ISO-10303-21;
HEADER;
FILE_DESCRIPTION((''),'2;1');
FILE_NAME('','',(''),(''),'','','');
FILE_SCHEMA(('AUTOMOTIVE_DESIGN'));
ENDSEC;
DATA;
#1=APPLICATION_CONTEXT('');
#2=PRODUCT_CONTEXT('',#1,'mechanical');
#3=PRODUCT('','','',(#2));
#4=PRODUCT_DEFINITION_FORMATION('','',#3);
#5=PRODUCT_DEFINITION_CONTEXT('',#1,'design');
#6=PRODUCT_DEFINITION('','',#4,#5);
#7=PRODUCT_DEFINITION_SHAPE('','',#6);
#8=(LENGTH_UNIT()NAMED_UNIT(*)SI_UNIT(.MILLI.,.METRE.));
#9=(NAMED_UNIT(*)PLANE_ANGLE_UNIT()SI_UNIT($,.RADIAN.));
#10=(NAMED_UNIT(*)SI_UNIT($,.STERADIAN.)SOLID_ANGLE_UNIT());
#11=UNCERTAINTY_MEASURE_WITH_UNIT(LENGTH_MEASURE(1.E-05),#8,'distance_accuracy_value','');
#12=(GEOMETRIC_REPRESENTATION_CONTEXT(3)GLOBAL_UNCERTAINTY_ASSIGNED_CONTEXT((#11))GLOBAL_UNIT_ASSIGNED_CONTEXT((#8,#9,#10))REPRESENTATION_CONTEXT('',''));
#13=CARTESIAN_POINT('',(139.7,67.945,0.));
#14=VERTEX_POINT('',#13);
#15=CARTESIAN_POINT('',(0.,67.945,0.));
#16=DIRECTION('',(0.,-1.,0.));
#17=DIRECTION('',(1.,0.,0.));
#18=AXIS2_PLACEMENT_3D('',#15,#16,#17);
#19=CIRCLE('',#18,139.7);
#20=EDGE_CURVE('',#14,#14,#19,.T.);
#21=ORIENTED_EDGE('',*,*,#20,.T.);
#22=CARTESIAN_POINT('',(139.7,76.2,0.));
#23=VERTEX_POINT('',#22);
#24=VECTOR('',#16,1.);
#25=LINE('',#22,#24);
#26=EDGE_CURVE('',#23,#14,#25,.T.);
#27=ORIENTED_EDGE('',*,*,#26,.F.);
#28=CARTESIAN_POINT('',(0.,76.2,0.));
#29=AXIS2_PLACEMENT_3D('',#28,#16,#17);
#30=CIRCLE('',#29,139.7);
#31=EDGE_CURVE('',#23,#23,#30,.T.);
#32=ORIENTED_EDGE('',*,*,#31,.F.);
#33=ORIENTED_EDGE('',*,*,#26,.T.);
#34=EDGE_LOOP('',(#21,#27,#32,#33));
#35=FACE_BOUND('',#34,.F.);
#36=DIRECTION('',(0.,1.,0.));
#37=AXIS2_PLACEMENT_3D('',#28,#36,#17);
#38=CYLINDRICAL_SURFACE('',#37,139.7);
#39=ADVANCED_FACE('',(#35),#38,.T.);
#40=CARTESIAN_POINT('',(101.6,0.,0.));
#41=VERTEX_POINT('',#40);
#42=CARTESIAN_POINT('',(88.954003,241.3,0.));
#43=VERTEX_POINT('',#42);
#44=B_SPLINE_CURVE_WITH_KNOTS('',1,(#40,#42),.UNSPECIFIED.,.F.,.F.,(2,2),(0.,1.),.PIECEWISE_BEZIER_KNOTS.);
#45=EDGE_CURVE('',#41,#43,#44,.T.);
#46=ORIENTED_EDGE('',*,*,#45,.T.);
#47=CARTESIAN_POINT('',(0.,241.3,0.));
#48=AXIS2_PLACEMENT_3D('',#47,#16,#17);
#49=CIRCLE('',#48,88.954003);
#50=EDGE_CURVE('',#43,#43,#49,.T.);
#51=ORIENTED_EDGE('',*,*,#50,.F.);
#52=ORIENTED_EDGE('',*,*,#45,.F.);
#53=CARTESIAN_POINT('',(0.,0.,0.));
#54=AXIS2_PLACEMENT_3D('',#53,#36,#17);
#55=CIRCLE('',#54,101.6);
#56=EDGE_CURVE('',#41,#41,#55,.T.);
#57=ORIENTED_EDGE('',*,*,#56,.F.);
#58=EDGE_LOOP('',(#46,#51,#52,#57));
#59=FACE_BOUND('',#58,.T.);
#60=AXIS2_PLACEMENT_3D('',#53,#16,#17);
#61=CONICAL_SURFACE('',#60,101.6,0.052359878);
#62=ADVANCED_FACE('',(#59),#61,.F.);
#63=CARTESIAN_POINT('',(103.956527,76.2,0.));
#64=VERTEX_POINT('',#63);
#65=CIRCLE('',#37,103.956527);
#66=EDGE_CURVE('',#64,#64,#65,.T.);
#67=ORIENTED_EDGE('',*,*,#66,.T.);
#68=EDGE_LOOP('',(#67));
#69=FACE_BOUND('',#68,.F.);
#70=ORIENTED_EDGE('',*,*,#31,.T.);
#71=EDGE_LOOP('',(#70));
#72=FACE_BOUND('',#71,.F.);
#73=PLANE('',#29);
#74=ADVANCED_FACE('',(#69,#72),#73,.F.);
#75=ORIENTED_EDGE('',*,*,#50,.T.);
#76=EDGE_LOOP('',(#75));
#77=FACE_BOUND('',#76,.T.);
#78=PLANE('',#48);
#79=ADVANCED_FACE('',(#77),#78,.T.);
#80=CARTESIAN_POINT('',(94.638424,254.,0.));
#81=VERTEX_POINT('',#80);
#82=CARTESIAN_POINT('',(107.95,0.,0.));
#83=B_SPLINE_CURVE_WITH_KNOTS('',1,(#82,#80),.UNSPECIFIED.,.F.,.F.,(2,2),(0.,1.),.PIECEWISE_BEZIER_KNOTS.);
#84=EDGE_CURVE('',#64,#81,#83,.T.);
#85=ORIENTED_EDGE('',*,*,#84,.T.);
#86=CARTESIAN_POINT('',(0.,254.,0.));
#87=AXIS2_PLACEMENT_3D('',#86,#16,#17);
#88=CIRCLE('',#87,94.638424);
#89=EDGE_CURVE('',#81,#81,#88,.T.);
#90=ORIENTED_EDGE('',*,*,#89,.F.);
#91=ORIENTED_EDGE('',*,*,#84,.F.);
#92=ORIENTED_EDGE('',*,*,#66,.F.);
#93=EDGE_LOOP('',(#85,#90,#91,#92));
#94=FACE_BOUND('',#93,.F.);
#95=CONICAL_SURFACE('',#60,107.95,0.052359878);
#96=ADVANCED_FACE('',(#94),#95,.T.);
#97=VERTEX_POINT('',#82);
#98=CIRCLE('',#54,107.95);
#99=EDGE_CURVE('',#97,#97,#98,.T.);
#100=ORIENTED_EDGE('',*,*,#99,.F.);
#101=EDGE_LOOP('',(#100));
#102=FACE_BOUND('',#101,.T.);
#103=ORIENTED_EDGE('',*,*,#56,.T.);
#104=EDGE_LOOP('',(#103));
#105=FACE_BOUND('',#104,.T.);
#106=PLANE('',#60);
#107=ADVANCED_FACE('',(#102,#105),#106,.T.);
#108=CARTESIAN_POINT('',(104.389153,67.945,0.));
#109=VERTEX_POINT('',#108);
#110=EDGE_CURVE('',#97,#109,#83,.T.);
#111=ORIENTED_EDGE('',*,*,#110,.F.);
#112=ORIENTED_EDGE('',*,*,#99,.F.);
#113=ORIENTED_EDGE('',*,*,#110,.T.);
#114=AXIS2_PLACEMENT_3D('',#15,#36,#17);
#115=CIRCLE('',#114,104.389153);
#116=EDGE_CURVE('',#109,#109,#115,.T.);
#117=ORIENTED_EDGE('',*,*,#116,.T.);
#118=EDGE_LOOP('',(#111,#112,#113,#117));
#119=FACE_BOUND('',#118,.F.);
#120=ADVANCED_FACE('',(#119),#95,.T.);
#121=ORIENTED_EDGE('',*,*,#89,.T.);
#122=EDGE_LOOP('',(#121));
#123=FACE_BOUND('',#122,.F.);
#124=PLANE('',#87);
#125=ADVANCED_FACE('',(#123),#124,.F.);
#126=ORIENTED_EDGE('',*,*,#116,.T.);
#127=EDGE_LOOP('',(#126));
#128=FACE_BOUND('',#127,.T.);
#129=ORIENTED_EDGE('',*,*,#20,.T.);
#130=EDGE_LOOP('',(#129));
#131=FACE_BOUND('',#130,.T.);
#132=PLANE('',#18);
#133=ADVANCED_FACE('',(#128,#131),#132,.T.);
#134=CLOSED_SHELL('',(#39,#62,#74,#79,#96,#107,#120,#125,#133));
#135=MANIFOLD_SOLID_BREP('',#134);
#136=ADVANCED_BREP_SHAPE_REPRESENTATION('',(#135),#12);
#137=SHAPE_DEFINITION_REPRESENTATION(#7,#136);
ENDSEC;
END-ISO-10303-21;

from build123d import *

# Parameters (mm, degrees)
F0_R     = 107.95
F1_DEPTH = 254
F1_TAPER = 3
F2_R     = 101.6
F3_DEPTH = 241.3
F3_TAPER = 3
F6_R     = 139.7
F6_R_2   = 103.9495
F7_DEPTH = 8.255


with BuildPart() as f1:
    # F0 (on Front) → F1 (new body)
    with BuildSketch(Plane.XZ):
        Circle(F0_R)
    extrude(amount=-F1_DEPTH, taper=F1_TAPER)

    # F2 (on face) → F3 (cut)
    with BuildSketch(Plane.XZ):
        Circle(F2_R)
    extrude(amount=-F3_DEPTH, taper=F3_TAPER, mode=Mode.SUBTRACT)

    # F6 (on offset) → F7 (join)
    with BuildSketch(Plane.XZ.offset(-76.2)):
        Circle(F6_R)
        Circle(F6_R_2, mode=Mode.SUBTRACT)
    extrude(amount=F7_DEPTH)


solid = f1.part
